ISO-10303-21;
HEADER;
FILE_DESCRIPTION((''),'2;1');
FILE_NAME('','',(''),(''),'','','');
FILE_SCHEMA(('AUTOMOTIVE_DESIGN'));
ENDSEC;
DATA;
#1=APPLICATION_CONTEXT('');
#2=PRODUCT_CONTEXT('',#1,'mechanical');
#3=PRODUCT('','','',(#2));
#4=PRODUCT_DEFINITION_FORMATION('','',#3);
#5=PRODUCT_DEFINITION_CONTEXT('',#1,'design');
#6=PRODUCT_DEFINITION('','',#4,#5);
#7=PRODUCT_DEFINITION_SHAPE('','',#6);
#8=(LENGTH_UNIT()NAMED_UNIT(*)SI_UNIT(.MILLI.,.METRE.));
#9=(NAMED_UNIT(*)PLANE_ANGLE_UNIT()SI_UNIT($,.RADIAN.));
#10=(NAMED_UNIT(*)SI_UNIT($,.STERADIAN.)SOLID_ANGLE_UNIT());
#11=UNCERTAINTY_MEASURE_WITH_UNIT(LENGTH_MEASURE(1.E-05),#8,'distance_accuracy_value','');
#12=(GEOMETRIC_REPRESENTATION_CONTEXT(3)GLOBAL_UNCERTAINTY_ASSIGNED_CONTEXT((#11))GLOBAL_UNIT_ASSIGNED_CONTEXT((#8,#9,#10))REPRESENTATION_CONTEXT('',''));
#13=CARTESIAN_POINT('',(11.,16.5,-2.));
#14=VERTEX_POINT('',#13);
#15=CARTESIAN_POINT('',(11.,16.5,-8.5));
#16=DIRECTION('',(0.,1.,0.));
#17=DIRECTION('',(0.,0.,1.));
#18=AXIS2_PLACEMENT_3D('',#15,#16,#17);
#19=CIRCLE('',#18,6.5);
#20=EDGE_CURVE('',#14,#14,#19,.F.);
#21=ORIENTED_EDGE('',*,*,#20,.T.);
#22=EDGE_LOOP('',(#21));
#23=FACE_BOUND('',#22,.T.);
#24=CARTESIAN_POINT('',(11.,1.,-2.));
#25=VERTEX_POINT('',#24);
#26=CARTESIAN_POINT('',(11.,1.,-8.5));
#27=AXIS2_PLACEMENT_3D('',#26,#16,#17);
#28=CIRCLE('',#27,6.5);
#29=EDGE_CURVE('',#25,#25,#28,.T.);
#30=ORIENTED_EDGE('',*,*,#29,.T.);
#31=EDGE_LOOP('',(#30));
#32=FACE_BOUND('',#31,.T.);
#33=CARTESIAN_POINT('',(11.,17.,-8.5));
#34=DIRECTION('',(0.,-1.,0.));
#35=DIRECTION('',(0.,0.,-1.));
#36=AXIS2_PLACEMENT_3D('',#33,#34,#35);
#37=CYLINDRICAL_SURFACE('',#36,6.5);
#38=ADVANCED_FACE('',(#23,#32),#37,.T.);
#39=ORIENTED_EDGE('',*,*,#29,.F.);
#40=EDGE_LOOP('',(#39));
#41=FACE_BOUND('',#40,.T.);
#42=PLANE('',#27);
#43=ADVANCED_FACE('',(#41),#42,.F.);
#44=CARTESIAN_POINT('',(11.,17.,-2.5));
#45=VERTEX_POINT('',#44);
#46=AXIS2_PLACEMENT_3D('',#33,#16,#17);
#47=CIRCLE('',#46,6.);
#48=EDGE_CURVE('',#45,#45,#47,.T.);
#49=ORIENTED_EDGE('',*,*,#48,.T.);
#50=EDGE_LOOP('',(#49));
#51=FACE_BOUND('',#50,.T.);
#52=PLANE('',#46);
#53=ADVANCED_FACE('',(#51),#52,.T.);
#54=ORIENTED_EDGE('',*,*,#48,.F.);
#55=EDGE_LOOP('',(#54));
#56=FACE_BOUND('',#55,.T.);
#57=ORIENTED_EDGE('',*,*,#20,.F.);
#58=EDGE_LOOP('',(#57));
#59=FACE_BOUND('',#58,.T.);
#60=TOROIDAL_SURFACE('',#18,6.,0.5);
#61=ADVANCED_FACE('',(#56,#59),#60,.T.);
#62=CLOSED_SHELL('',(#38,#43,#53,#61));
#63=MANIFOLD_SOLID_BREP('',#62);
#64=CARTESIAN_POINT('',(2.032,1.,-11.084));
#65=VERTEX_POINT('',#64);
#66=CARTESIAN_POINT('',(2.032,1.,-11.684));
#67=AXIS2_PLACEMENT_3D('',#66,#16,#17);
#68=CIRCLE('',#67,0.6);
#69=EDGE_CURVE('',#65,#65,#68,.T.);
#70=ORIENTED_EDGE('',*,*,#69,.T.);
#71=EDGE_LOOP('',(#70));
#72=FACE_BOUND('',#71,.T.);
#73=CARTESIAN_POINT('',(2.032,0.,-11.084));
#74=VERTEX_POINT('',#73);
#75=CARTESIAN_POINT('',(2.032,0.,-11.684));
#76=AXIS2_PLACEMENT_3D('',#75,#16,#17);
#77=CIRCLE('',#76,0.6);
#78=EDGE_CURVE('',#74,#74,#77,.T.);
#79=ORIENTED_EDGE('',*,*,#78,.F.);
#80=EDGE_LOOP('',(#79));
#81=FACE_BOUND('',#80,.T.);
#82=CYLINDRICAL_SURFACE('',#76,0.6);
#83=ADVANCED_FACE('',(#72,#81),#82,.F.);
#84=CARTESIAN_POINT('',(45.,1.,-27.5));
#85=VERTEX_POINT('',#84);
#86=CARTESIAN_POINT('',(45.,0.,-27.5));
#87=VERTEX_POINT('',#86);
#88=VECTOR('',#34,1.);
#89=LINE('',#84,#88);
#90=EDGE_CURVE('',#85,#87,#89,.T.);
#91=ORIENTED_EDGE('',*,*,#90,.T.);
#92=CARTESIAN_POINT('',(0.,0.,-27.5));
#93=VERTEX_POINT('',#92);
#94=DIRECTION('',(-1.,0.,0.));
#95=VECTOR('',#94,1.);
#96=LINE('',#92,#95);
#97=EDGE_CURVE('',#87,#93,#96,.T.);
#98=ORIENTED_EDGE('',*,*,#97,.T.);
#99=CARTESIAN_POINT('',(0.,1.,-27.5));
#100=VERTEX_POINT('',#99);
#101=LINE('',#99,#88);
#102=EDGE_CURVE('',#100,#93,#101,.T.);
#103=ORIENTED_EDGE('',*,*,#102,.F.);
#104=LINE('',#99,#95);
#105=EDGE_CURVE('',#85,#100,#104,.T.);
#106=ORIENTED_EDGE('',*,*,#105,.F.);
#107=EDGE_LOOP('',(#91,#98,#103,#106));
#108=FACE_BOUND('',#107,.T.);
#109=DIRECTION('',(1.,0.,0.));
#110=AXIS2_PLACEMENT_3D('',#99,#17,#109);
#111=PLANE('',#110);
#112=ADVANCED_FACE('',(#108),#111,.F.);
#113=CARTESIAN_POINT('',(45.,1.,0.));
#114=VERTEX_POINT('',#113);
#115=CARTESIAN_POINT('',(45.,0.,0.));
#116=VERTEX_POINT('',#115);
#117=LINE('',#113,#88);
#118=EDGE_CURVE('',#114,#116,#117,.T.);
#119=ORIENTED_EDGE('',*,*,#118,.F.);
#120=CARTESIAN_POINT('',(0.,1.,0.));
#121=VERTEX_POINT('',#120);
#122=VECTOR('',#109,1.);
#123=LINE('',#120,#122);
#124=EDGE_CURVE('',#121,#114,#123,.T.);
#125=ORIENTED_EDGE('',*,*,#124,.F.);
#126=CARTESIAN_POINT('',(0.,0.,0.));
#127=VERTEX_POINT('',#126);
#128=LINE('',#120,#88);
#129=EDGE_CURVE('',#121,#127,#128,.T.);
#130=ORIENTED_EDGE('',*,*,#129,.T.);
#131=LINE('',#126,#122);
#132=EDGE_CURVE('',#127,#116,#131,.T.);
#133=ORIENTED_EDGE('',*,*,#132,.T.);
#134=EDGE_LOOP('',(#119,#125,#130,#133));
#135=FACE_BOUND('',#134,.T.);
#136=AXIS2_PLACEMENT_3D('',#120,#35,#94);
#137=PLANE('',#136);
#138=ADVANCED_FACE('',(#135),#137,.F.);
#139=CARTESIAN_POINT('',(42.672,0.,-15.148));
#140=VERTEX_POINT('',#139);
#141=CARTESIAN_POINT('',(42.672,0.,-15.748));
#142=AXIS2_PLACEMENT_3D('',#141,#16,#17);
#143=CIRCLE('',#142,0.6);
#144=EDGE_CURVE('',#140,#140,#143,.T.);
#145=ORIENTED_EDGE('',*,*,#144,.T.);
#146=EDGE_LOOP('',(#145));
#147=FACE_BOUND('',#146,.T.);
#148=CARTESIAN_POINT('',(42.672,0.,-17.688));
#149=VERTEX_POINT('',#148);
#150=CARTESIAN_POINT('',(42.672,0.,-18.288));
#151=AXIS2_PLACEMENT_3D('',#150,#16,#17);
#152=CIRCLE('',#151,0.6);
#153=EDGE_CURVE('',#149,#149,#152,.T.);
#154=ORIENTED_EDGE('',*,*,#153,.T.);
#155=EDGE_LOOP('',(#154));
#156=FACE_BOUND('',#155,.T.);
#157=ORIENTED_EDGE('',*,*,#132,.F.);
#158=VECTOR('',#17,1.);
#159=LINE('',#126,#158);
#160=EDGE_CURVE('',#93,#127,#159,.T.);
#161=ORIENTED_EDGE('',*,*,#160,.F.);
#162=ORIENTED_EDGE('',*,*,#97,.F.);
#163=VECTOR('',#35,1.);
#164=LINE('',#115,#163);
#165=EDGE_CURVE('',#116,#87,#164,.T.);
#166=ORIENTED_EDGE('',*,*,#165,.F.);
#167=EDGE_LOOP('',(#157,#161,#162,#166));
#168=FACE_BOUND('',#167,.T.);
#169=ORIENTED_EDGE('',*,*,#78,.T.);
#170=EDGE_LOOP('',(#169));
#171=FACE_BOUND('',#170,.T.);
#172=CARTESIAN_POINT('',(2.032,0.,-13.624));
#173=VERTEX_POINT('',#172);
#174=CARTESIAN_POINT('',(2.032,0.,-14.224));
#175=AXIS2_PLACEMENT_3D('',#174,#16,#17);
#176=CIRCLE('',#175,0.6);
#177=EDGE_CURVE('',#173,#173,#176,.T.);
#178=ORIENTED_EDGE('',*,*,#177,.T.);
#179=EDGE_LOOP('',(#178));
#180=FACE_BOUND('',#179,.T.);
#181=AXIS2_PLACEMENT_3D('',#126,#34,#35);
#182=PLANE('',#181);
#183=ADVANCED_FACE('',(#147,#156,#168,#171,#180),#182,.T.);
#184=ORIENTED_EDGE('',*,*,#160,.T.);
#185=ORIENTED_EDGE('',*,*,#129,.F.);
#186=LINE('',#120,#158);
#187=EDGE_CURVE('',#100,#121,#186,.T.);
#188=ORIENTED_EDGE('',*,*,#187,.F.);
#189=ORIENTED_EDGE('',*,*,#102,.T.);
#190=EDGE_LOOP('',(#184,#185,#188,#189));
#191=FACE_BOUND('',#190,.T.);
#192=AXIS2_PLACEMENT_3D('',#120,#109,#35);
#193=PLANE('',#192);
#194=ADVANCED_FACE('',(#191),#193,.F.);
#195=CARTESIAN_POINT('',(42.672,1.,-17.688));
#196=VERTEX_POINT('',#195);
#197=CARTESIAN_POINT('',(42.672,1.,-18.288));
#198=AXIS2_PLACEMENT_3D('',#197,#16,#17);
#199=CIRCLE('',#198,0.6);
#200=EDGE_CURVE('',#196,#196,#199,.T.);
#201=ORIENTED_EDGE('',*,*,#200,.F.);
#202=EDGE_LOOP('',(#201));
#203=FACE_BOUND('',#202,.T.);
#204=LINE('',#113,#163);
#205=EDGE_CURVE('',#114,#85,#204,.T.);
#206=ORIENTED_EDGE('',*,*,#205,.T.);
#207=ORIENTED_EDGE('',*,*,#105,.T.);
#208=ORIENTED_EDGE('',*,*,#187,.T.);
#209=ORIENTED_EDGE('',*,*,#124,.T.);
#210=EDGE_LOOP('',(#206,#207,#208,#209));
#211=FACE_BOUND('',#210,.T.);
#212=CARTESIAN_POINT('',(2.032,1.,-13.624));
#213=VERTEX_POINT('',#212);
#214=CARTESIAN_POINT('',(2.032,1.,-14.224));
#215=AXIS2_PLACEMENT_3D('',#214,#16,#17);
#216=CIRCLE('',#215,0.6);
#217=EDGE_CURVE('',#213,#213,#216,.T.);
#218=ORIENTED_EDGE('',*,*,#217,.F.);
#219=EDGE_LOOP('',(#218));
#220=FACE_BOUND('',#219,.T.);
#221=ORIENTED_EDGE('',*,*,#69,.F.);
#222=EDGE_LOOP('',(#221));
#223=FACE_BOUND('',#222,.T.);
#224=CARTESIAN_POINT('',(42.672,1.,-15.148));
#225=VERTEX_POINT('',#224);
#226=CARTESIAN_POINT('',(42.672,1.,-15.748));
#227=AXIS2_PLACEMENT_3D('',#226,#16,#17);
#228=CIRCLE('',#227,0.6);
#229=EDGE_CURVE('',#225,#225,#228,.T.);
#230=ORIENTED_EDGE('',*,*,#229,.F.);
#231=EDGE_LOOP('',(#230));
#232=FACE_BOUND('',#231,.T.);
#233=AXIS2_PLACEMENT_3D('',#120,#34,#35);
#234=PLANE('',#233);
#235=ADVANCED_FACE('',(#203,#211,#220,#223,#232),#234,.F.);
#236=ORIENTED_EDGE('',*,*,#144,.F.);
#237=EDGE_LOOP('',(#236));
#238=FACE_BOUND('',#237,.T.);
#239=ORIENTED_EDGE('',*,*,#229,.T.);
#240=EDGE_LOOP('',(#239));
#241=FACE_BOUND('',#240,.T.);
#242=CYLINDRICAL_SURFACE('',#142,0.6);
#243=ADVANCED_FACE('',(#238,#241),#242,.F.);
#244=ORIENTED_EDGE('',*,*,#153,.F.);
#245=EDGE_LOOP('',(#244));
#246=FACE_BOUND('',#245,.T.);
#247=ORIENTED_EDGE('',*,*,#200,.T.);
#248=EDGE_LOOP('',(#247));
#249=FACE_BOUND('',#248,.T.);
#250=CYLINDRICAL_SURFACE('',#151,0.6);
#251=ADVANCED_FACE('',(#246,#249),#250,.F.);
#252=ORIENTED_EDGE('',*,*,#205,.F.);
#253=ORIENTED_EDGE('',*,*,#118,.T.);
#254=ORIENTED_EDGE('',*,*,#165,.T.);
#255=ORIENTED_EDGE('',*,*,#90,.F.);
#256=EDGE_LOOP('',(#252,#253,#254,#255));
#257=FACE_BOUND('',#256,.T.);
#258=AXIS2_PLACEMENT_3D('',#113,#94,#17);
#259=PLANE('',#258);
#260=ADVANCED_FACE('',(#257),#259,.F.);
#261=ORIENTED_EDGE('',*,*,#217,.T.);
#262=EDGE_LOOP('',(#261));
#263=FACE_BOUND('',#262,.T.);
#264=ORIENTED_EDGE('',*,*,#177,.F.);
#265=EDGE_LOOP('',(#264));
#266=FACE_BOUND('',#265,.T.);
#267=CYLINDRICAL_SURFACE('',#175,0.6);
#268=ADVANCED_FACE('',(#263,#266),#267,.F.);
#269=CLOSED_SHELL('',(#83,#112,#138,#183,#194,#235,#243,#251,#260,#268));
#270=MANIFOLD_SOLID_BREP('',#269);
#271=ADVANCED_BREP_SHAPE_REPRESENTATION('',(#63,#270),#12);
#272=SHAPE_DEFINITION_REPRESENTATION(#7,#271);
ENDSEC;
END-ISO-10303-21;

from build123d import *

# Parameters (mm, degrees)
SKETCH_1_W          = 45
SKETCH_1_H          = 27.5
EXTRUDE_1_DEPTH     = 1
SKETCH_2_R          = 6.5
EXTRUDE_2_DEPTH     = 16
FILLET_1_R          = 0.5
SKETCH_5_R          = 0.6
CUT_EXTRUDE_1_DEPTH = 56.11125112


with BuildPart() as part:
    # Эскиз1 → Бобышка-Вытянуть1 (new body)
    with BuildSketch(Plane(origin=(0, 0, 0), x_dir=(1, 0, 0), z_dir=(0, 1, 0))):
        with Locations((22.5, 13.75)):
            Rectangle(SKETCH_1_W, SKETCH_1_H)
    extrude(amount=EXTRUDE_1_DEPTH)

    # Эскиз5 → Вырез-Вытянуть1 (cut, through all)
    with BuildSketch(Plane(origin=(0, 1, 0), x_dir=(1, 0, 0), z_dir=(0, 1, 0))):
        with Locations(Location((2.032, 14.224, 0), (0, 0, 270))):
            Circle(SKETCH_5_R)
        with Locations(Location((2.032, 11.684, 0), (0, 0, 270))):
            Circle(SKETCH_5_R)
        with Locations(Location((42.672, 18.288, 0), (0, 0, 270))):
            Circle(SKETCH_5_R)
        with Locations(Location((42.672, 15.748, 0), (0, 0, 270))):
            Circle(SKETCH_5_R)
    extrude(amount=-CUT_EXTRUDE_1_DEPTH, mode=Mode.SUBTRACT)


with BuildPart() as body_2:
    # Эскиз2 → Бобышка-Вытянуть2 (new body)
    with BuildSketch(Plane(origin=(0, 1, 0), x_dir=(1, 0, 0), z_dir=(0, 1, 0))):
        with Locations(Location((11, 8.5, 0), (0, 0, 270))):
            Circle(SKETCH_2_R)
    extrude(amount=EXTRUDE_2_DEPTH)

    # Скругление1
    fillet_1_edges = [body_2.edges().sort_by_distance(p)[0] for p in [
        (11, 17, -15),
    ]]
    fillet(fillet_1_edges, radius=FILLET_1_R)


solid = Compound([part.part, body_2.part])
